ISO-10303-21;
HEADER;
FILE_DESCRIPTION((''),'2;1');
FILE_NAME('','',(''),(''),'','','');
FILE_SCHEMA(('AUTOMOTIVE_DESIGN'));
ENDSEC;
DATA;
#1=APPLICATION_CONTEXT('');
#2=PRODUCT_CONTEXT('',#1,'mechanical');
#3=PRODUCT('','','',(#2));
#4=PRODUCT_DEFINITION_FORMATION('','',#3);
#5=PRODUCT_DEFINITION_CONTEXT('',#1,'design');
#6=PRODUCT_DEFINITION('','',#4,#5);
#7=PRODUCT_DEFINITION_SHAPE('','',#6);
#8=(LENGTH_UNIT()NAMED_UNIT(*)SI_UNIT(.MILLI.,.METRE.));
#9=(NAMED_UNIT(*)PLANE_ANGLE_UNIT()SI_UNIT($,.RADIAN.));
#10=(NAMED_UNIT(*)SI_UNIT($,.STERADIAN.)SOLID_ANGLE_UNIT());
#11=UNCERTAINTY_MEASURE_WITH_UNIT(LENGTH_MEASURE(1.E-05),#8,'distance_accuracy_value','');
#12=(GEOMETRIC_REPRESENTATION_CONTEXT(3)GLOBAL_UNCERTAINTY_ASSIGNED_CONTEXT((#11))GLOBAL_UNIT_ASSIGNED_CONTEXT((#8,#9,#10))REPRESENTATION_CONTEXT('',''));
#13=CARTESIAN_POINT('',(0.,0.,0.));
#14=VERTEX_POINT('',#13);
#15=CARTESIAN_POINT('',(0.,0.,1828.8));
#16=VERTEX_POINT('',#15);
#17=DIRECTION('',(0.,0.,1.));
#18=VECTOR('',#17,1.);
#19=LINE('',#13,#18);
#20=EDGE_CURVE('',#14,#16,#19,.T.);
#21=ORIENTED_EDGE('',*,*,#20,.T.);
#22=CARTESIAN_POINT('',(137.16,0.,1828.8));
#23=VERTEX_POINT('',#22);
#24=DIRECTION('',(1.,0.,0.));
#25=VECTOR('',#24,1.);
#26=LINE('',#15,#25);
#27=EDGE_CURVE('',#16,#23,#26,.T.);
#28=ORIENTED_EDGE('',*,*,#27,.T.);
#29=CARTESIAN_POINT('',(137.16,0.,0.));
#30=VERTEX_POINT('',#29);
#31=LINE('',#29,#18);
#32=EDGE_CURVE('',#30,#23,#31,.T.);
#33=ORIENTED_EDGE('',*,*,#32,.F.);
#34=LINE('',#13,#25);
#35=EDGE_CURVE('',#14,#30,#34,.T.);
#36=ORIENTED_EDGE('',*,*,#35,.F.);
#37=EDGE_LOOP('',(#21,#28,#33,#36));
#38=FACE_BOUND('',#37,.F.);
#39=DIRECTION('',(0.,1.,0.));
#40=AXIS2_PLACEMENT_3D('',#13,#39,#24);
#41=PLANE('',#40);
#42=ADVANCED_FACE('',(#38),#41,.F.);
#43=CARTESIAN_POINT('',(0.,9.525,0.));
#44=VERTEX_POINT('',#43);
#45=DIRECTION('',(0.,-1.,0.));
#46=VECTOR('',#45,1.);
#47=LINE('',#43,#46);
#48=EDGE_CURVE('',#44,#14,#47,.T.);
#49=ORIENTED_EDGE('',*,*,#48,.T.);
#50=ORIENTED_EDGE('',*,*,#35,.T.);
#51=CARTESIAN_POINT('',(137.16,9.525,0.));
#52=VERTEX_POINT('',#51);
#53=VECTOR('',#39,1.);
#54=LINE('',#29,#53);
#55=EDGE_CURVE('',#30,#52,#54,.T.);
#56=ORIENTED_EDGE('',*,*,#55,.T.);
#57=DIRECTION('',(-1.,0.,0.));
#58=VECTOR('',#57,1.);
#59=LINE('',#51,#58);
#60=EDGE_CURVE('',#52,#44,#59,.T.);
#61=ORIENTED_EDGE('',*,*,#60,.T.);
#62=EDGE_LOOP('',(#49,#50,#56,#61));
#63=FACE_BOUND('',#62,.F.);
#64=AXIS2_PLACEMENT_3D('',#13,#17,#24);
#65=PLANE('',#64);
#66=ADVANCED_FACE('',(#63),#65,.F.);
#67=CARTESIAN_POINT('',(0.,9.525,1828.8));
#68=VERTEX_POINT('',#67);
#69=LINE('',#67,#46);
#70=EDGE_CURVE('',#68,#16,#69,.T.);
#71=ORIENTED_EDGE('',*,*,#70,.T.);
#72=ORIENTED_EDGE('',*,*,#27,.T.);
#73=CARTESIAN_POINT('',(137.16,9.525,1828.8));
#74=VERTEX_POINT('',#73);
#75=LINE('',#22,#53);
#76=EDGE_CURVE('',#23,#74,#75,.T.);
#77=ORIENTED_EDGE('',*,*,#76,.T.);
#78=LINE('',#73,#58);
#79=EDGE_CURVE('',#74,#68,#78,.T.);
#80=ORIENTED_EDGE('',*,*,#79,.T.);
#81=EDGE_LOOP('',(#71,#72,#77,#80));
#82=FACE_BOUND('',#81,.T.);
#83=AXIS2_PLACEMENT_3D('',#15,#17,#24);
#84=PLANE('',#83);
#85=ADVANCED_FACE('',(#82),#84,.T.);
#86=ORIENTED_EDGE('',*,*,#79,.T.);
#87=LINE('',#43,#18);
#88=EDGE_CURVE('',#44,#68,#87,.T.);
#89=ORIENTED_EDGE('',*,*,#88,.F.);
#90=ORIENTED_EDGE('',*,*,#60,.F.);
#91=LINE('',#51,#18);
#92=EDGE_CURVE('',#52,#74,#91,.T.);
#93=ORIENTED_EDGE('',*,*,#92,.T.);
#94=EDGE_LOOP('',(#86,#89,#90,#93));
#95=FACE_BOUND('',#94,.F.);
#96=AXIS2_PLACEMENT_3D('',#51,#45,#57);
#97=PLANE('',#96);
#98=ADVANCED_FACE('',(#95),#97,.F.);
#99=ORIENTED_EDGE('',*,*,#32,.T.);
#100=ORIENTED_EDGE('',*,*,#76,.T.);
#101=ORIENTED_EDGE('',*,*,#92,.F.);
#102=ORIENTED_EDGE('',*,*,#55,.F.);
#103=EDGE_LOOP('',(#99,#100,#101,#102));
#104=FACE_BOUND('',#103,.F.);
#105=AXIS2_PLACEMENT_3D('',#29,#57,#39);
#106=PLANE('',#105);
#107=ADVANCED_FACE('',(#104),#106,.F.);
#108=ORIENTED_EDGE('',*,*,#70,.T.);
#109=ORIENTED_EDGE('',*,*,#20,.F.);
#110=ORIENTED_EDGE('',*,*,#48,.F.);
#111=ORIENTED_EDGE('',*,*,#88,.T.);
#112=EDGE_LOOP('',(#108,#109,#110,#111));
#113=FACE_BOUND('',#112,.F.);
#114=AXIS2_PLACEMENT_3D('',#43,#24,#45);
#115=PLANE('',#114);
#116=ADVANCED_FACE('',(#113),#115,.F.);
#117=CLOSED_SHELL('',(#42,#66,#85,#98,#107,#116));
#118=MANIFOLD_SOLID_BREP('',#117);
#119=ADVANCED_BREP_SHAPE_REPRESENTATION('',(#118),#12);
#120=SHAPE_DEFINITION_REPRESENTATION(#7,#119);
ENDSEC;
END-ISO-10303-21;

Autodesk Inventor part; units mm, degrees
ref_plane "YZ Plane" through (0, 0, 0) normal (1, 0, 0) x (0, 1, 0)
ref_plane "XZ Plane" through (0, 0, 0) normal (0, 1, 0) x (-1, 0, 0)
ref_plane "XY Plane" through (0, 0, 0) normal (0, 0, 1) x (1, 0, 0)
sketch "Sketch1" plane through (0, 0, 0) normal (0, 0, 1) x (1, 0, 0)
  line L0 (0, 0) -> (137.16, 0)
  line L1 (137.16, 0) -> (137.16, 9.525)
  line L2 (137.16, 9.525) -> (0, 9.525)
  line L3 (0, 9.525) -> (0, 0)
  dimension "d0" = 9.525
  dimension "d1" = 137.16
extrude "Extrusion1" add sketch "Sketch1" along normal blind 1828.8
properties part number "Plywood Ramp 375 - Versopm 2" material "Wood (Oak)"
